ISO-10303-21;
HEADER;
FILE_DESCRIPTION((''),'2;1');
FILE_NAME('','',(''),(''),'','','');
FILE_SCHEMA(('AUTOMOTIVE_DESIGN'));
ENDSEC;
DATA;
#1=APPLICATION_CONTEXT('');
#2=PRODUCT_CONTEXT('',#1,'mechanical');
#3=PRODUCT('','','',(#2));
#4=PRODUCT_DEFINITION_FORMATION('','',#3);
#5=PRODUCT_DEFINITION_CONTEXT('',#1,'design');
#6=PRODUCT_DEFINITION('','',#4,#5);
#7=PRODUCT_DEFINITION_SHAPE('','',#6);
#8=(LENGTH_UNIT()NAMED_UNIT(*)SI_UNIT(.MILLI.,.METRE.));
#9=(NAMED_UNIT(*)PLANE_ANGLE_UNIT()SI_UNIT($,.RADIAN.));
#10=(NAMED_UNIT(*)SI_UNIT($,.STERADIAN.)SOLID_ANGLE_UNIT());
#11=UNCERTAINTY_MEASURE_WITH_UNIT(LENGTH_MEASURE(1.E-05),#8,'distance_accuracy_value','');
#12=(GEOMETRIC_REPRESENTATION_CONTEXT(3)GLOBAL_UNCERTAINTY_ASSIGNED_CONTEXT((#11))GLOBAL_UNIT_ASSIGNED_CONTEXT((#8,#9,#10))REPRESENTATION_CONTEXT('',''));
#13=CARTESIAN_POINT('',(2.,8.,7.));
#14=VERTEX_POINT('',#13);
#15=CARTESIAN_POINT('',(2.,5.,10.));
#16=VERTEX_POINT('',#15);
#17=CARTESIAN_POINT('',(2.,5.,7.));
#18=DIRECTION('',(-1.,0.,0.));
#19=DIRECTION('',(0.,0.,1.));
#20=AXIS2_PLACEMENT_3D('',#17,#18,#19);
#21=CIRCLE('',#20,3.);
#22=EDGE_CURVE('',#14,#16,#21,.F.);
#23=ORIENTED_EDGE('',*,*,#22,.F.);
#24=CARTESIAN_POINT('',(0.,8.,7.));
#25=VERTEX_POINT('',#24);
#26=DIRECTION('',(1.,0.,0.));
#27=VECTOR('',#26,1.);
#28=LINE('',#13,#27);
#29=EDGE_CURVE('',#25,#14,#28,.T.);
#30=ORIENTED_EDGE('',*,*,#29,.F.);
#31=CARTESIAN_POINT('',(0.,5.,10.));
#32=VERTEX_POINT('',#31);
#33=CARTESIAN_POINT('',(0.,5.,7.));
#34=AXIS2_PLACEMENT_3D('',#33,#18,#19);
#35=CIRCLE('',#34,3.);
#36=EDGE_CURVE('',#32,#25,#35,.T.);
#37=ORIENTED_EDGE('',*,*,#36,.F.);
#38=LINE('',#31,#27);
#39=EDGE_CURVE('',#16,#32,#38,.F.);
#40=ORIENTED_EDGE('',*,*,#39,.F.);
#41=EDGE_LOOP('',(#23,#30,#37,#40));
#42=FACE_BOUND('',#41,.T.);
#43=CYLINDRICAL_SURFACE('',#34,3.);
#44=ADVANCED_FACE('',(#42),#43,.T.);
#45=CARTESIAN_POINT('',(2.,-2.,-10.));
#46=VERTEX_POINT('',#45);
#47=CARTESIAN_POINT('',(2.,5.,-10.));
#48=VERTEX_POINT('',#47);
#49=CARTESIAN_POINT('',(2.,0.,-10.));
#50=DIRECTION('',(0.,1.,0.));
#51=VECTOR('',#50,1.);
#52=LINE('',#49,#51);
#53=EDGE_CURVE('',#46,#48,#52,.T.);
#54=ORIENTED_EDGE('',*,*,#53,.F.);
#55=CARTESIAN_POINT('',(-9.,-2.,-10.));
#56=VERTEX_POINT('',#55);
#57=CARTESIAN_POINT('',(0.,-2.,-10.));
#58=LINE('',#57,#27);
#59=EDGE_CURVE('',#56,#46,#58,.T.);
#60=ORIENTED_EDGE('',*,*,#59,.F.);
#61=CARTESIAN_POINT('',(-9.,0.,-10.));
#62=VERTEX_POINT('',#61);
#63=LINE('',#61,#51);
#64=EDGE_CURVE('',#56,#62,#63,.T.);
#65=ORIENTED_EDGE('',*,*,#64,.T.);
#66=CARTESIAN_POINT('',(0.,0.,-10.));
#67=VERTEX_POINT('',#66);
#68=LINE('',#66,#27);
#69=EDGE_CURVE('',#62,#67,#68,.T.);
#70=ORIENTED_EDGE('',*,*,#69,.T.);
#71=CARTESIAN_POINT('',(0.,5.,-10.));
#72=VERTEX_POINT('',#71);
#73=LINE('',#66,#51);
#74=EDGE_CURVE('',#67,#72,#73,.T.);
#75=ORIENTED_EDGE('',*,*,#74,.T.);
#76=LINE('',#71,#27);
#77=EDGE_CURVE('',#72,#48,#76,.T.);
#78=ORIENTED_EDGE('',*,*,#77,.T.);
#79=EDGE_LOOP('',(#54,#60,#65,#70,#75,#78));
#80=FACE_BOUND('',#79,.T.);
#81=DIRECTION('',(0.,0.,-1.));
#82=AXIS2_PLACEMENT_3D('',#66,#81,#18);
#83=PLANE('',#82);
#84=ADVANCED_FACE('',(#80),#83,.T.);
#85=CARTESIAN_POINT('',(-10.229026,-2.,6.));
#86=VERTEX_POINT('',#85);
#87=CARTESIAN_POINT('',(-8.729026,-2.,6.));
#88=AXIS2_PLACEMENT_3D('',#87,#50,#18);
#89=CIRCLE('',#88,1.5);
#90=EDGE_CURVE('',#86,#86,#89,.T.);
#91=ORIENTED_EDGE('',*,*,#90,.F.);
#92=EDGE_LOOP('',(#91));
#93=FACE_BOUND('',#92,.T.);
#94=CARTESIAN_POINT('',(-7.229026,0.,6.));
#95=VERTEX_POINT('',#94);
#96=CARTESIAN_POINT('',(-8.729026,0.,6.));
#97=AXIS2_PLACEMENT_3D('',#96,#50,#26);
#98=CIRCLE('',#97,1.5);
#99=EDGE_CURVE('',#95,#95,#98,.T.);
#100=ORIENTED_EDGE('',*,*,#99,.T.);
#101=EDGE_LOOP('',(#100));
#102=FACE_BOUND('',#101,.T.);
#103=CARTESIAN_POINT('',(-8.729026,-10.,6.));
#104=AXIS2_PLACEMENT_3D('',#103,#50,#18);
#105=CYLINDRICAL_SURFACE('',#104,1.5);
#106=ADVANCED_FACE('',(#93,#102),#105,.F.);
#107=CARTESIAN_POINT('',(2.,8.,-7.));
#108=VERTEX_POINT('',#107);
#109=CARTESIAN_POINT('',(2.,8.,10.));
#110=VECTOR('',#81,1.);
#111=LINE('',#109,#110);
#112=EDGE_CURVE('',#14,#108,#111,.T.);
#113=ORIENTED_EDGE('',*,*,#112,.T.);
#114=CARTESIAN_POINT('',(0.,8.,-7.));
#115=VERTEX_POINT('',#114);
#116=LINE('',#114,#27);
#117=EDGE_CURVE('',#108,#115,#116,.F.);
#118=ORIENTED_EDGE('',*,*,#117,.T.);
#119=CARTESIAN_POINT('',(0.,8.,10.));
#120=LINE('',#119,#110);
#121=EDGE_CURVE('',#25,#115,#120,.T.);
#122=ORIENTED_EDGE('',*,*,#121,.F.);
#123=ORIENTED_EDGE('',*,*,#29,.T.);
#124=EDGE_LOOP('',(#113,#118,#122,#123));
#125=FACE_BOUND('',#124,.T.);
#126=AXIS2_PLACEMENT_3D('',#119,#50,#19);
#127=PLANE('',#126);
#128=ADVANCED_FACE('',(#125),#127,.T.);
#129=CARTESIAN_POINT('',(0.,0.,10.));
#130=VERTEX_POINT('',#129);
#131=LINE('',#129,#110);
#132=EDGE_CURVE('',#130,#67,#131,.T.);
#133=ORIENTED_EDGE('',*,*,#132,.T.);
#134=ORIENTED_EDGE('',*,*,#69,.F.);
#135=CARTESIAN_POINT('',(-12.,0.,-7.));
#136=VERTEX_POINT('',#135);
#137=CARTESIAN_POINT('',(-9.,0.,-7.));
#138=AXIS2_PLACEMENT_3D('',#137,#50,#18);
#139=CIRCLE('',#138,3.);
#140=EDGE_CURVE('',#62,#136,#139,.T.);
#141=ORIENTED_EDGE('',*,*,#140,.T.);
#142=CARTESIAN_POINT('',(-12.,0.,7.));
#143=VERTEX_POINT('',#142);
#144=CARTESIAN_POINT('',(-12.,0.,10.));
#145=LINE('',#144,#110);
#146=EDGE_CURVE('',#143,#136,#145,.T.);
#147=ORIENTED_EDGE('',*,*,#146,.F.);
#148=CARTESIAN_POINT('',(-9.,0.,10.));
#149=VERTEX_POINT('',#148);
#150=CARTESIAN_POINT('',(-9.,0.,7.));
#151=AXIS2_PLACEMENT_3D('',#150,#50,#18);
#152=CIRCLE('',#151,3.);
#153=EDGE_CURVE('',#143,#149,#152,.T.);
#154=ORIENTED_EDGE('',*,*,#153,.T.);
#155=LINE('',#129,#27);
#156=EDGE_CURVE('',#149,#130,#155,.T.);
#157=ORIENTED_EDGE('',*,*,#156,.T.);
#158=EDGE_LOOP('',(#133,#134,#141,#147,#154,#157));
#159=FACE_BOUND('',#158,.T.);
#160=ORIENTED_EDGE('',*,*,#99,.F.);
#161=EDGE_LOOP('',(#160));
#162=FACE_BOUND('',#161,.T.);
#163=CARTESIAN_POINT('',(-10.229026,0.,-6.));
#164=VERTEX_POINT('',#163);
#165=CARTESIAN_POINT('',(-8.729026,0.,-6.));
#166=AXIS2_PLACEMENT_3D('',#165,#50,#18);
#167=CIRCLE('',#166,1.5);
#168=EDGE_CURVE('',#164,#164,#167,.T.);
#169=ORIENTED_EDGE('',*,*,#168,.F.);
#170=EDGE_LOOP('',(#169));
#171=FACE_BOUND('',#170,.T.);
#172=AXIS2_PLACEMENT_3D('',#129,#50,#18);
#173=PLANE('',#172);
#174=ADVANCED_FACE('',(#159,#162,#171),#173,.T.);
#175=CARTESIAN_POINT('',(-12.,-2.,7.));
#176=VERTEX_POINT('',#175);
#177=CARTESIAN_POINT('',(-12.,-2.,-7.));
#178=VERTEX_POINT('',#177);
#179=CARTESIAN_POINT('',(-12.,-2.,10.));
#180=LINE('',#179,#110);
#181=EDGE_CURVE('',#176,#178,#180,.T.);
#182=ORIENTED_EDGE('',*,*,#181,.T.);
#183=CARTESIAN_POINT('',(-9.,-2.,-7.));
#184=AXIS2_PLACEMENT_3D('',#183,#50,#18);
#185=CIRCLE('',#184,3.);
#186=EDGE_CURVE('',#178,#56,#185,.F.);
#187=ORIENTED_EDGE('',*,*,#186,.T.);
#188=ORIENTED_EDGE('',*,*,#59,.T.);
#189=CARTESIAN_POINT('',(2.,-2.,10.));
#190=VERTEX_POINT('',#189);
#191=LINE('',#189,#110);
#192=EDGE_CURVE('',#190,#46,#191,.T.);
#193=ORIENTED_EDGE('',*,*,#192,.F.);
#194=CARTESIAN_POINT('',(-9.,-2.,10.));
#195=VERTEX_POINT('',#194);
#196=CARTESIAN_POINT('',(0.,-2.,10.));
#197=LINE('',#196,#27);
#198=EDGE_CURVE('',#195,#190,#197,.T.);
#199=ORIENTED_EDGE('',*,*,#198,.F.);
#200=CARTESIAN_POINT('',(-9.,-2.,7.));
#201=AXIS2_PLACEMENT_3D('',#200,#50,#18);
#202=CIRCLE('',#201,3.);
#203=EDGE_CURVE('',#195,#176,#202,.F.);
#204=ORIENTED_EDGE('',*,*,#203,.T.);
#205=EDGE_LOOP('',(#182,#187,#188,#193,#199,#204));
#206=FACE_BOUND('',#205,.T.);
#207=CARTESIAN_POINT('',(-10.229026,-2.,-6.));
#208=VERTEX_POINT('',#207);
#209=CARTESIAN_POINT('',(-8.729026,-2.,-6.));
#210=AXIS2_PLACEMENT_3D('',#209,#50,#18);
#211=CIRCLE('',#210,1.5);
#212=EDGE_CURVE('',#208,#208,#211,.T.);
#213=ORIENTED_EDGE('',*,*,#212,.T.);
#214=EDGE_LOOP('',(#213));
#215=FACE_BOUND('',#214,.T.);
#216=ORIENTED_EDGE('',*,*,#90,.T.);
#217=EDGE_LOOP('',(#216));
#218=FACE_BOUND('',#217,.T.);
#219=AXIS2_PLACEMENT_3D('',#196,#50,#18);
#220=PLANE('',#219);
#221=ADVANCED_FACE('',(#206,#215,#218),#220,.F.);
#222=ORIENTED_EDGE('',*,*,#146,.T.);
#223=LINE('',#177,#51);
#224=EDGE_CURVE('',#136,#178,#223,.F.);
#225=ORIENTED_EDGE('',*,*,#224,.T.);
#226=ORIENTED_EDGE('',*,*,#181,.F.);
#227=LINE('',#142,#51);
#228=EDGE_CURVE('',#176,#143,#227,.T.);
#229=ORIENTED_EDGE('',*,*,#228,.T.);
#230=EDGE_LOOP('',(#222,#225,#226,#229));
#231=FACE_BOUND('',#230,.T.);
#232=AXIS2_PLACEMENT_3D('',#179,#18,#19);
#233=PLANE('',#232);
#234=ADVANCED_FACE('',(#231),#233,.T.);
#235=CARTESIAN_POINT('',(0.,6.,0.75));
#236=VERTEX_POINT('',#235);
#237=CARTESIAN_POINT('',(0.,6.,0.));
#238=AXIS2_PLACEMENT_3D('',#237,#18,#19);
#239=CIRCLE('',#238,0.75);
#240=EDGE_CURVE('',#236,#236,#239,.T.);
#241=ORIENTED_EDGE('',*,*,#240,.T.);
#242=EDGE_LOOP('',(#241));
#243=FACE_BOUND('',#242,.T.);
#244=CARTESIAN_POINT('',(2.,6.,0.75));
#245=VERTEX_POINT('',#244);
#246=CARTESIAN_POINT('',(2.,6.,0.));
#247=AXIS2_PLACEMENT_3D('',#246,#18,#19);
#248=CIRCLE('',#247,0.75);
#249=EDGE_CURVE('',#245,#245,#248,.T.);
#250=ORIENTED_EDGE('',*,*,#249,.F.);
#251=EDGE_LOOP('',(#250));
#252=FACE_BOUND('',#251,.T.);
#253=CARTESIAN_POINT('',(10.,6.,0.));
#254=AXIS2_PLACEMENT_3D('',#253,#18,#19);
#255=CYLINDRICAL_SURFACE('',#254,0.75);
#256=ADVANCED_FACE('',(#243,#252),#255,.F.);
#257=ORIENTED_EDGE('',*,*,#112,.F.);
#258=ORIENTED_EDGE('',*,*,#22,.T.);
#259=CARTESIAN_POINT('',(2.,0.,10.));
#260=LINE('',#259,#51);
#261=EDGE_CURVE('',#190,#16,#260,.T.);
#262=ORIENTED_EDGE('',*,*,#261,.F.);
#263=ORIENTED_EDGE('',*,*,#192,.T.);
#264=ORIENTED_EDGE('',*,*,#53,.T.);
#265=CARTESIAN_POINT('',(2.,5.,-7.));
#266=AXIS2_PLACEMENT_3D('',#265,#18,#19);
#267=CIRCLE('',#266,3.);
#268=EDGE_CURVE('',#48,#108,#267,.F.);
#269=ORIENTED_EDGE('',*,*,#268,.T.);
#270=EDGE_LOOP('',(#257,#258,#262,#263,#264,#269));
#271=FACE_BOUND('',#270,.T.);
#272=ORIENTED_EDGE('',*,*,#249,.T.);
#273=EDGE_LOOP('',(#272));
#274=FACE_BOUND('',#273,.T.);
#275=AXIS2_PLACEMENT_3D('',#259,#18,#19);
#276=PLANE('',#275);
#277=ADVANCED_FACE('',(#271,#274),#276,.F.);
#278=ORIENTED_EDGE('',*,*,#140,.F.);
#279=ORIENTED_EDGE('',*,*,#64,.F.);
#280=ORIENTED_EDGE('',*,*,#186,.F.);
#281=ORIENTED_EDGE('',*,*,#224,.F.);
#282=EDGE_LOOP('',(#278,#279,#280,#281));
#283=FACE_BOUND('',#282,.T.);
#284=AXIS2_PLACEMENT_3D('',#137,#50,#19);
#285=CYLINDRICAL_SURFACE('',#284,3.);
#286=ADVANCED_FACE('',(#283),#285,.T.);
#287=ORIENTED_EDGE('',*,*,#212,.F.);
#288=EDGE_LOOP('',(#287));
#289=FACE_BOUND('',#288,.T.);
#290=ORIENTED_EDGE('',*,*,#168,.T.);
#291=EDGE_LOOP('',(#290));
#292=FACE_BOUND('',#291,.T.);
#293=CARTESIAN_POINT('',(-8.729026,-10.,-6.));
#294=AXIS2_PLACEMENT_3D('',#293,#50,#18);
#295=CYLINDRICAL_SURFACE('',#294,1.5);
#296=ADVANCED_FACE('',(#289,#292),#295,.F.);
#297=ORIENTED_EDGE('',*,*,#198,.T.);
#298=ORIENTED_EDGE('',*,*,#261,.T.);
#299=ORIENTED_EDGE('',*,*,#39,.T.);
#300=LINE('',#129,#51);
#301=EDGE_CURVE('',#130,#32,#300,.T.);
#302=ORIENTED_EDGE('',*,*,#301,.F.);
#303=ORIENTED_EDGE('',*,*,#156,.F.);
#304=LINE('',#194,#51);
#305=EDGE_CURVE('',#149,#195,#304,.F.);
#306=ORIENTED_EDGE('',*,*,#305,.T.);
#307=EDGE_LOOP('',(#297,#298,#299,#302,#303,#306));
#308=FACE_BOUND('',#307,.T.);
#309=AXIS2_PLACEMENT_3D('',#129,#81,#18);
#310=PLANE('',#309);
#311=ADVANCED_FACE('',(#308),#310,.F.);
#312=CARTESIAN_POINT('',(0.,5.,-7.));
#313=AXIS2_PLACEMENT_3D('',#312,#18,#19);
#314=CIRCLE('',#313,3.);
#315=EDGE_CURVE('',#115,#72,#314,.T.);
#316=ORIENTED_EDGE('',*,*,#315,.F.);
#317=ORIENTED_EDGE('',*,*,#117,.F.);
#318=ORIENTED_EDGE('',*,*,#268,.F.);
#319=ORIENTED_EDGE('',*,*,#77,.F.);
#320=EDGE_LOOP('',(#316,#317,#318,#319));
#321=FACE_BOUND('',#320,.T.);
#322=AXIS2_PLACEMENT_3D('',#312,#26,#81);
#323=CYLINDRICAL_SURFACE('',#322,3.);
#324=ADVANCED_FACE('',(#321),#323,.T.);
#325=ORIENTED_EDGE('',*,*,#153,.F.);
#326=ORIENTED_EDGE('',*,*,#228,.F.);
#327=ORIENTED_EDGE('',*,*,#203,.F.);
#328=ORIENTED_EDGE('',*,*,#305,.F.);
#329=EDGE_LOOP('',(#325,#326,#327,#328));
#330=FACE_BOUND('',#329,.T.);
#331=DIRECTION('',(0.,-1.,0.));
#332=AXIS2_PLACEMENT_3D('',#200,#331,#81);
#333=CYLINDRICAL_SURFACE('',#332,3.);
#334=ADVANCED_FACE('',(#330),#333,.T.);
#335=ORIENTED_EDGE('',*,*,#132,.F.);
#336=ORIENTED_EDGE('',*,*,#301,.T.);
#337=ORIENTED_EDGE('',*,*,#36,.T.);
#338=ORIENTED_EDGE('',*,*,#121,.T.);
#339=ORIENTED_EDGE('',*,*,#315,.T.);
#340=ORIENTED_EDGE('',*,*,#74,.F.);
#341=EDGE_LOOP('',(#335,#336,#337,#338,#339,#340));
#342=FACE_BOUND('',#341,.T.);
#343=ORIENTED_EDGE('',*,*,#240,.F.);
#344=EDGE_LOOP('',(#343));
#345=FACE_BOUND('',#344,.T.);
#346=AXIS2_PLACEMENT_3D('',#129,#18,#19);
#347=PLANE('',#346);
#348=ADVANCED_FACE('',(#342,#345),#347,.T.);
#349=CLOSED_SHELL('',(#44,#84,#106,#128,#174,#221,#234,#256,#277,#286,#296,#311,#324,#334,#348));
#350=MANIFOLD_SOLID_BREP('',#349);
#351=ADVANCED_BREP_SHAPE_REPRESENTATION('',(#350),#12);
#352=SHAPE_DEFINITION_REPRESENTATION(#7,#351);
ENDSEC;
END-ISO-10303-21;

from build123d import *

# Parameters (mm, degrees)
EXTRUDE_THIN1_DEPTH = 10
FILLET2_R           = 3
SKETCH2_R           = 1.5
CUT_EXTRUDE1_DEPTH  = 10
SKETCH3_R           = 0.75
CUT_EXTRUDE2_DEPTH  = 10


with BuildPart() as part:
    # Sketch1 → Extrude-Thin1 (new, symmetric)
    with BuildSketch(Plane.XY):
        Polygon((0, 8), (0, 0), (-12, 0), (-12, -2), (2, -2), (2, 8), align=None)
    extrude(amount=EXTRUDE_THIN1_DEPTH, both=True)

    # Fillet2
    fillet2_edges = [part.edges().sort_by_distance(p)[0] for p in [
        (-12, -1, 10),
        (-12, -1, -10),
        (1, 8, -10),
        (1, 8, 10),
    ]]
    fillet(fillet2_edges, radius=FILLET2_R)

    # Sketch2 → Cut-Extrude1 (cut)
    with BuildSketch(Plane(origin=(0, 0, 0), x_dir=(1, 0, 0), z_dir=(0, 1, 0))):
        with Locations(Location((-8.729026119, 6, 0), (0, 0, 180))):
            Circle(SKETCH2_R)
        with Locations(Location((-8.729026119, -6, 0), (0, 0, 180))):
            Circle(SKETCH2_R)
    extrude(amount=-CUT_EXTRUDE1_DEPTH, mode=Mode.SUBTRACT)

    # Sketch3 → Cut-Extrude2 (cut)
    with BuildSketch(Plane.ZY):
        with Locations((0, 6)):
            Circle(SKETCH3_R)
    extrude(amount=-CUT_EXTRUDE2_DEPTH, mode=Mode.SUBTRACT)


solid = part.part
